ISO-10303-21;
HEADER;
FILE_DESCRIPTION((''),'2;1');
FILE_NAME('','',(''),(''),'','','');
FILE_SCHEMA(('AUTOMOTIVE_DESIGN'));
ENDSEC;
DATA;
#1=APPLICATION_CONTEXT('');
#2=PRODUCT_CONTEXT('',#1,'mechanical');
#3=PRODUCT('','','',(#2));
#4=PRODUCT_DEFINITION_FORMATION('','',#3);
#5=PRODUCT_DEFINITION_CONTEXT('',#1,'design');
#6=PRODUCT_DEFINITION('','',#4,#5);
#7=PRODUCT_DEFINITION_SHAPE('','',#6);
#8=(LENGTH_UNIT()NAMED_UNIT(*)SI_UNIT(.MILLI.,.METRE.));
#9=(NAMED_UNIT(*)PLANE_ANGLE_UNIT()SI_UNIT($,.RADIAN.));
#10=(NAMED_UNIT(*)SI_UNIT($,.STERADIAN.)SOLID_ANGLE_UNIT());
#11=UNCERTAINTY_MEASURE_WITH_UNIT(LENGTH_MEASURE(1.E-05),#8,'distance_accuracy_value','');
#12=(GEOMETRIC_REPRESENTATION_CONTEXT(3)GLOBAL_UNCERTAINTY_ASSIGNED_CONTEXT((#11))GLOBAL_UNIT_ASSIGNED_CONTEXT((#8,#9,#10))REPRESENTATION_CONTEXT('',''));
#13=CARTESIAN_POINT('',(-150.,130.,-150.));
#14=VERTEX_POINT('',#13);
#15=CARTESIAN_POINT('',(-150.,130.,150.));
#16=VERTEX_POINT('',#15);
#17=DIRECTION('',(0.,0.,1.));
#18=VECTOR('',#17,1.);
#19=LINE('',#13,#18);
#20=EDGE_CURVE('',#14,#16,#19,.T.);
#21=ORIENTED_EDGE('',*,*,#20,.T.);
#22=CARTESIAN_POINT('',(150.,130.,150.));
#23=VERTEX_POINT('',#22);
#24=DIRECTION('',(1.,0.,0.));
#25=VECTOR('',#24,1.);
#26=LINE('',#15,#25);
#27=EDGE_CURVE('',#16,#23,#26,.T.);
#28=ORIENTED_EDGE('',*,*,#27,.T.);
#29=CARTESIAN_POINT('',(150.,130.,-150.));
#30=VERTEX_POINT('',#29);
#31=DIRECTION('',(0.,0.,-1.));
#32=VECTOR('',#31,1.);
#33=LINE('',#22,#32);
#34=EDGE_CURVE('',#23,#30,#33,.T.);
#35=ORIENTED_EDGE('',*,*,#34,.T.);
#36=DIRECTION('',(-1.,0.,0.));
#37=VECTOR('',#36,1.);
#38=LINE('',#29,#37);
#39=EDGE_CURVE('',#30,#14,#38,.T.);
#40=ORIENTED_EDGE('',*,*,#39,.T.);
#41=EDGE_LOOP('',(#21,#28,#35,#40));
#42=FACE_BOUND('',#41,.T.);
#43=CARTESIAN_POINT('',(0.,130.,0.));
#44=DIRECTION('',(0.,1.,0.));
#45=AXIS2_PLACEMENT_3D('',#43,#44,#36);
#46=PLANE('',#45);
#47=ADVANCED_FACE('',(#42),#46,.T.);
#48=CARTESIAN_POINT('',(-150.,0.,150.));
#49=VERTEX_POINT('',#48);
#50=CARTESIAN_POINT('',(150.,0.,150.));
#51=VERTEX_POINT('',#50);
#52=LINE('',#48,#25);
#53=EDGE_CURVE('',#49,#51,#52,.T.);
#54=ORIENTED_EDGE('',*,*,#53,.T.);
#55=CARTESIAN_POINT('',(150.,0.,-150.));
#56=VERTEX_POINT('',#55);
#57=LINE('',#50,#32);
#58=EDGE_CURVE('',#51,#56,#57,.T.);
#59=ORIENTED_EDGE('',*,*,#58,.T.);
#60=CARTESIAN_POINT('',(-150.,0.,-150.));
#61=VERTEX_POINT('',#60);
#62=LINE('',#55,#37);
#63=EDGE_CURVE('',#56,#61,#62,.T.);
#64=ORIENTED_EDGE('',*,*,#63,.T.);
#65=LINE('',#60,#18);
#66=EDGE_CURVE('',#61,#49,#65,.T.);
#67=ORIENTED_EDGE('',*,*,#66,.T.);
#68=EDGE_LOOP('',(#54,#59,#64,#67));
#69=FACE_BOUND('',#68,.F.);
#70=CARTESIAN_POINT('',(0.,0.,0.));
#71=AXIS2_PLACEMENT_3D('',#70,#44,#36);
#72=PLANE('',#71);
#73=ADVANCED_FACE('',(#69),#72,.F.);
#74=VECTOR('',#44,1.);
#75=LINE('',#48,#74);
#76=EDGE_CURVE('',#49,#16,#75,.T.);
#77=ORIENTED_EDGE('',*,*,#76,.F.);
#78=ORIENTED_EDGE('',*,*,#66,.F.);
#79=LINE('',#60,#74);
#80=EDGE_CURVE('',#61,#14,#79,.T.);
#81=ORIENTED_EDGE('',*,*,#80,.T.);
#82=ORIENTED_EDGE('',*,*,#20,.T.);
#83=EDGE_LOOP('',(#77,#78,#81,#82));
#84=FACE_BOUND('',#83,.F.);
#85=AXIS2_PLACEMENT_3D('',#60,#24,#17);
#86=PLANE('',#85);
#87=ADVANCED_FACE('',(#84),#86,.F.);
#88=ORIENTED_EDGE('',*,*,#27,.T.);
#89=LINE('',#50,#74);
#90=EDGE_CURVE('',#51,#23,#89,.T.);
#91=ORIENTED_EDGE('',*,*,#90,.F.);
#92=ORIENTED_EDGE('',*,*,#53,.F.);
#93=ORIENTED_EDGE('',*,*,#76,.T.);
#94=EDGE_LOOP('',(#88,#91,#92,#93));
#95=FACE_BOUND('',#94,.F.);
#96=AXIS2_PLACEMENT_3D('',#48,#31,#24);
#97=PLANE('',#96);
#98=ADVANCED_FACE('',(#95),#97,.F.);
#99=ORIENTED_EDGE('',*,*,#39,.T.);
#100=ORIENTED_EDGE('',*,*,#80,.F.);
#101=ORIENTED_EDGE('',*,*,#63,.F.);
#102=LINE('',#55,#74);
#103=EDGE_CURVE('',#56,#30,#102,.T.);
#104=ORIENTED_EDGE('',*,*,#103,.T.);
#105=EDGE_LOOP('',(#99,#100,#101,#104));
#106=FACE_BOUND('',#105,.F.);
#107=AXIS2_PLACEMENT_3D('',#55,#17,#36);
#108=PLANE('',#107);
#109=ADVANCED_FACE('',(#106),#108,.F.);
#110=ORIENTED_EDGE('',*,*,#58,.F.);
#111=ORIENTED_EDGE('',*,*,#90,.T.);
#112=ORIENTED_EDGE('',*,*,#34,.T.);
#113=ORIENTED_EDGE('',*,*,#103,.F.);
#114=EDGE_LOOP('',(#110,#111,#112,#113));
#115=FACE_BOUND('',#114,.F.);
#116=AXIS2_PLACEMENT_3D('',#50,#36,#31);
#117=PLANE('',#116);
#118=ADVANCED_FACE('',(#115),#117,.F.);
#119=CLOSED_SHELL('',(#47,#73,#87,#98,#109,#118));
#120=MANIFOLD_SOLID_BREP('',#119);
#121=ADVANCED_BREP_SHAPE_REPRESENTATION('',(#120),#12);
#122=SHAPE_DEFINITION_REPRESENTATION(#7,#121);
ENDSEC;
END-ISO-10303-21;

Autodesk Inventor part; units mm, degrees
sketch "Эскиз1" plane through (0, 0, 0) normal (0, 1, 0) x (-1, 0, 0)
  line L0 (150, 150) -> (-150, 150)
  line L1 (-150, 150) -> (-150, -150)
  line L2 (-150, -150) -> (150, -150)
  line L3 (150, -150) -> (150, 150)
  line L4 (150, 150) -> (-150, -150) construction
  line L5 (-150, 150) -> (150, -150) construction
  point P0 (0, 0)
  dimension "d0" = 300
  dimension "d1" = 300
extrude "Выдавливание1" add sketch "Эскиз1" along normal blind 130
properties part number "Copter"
